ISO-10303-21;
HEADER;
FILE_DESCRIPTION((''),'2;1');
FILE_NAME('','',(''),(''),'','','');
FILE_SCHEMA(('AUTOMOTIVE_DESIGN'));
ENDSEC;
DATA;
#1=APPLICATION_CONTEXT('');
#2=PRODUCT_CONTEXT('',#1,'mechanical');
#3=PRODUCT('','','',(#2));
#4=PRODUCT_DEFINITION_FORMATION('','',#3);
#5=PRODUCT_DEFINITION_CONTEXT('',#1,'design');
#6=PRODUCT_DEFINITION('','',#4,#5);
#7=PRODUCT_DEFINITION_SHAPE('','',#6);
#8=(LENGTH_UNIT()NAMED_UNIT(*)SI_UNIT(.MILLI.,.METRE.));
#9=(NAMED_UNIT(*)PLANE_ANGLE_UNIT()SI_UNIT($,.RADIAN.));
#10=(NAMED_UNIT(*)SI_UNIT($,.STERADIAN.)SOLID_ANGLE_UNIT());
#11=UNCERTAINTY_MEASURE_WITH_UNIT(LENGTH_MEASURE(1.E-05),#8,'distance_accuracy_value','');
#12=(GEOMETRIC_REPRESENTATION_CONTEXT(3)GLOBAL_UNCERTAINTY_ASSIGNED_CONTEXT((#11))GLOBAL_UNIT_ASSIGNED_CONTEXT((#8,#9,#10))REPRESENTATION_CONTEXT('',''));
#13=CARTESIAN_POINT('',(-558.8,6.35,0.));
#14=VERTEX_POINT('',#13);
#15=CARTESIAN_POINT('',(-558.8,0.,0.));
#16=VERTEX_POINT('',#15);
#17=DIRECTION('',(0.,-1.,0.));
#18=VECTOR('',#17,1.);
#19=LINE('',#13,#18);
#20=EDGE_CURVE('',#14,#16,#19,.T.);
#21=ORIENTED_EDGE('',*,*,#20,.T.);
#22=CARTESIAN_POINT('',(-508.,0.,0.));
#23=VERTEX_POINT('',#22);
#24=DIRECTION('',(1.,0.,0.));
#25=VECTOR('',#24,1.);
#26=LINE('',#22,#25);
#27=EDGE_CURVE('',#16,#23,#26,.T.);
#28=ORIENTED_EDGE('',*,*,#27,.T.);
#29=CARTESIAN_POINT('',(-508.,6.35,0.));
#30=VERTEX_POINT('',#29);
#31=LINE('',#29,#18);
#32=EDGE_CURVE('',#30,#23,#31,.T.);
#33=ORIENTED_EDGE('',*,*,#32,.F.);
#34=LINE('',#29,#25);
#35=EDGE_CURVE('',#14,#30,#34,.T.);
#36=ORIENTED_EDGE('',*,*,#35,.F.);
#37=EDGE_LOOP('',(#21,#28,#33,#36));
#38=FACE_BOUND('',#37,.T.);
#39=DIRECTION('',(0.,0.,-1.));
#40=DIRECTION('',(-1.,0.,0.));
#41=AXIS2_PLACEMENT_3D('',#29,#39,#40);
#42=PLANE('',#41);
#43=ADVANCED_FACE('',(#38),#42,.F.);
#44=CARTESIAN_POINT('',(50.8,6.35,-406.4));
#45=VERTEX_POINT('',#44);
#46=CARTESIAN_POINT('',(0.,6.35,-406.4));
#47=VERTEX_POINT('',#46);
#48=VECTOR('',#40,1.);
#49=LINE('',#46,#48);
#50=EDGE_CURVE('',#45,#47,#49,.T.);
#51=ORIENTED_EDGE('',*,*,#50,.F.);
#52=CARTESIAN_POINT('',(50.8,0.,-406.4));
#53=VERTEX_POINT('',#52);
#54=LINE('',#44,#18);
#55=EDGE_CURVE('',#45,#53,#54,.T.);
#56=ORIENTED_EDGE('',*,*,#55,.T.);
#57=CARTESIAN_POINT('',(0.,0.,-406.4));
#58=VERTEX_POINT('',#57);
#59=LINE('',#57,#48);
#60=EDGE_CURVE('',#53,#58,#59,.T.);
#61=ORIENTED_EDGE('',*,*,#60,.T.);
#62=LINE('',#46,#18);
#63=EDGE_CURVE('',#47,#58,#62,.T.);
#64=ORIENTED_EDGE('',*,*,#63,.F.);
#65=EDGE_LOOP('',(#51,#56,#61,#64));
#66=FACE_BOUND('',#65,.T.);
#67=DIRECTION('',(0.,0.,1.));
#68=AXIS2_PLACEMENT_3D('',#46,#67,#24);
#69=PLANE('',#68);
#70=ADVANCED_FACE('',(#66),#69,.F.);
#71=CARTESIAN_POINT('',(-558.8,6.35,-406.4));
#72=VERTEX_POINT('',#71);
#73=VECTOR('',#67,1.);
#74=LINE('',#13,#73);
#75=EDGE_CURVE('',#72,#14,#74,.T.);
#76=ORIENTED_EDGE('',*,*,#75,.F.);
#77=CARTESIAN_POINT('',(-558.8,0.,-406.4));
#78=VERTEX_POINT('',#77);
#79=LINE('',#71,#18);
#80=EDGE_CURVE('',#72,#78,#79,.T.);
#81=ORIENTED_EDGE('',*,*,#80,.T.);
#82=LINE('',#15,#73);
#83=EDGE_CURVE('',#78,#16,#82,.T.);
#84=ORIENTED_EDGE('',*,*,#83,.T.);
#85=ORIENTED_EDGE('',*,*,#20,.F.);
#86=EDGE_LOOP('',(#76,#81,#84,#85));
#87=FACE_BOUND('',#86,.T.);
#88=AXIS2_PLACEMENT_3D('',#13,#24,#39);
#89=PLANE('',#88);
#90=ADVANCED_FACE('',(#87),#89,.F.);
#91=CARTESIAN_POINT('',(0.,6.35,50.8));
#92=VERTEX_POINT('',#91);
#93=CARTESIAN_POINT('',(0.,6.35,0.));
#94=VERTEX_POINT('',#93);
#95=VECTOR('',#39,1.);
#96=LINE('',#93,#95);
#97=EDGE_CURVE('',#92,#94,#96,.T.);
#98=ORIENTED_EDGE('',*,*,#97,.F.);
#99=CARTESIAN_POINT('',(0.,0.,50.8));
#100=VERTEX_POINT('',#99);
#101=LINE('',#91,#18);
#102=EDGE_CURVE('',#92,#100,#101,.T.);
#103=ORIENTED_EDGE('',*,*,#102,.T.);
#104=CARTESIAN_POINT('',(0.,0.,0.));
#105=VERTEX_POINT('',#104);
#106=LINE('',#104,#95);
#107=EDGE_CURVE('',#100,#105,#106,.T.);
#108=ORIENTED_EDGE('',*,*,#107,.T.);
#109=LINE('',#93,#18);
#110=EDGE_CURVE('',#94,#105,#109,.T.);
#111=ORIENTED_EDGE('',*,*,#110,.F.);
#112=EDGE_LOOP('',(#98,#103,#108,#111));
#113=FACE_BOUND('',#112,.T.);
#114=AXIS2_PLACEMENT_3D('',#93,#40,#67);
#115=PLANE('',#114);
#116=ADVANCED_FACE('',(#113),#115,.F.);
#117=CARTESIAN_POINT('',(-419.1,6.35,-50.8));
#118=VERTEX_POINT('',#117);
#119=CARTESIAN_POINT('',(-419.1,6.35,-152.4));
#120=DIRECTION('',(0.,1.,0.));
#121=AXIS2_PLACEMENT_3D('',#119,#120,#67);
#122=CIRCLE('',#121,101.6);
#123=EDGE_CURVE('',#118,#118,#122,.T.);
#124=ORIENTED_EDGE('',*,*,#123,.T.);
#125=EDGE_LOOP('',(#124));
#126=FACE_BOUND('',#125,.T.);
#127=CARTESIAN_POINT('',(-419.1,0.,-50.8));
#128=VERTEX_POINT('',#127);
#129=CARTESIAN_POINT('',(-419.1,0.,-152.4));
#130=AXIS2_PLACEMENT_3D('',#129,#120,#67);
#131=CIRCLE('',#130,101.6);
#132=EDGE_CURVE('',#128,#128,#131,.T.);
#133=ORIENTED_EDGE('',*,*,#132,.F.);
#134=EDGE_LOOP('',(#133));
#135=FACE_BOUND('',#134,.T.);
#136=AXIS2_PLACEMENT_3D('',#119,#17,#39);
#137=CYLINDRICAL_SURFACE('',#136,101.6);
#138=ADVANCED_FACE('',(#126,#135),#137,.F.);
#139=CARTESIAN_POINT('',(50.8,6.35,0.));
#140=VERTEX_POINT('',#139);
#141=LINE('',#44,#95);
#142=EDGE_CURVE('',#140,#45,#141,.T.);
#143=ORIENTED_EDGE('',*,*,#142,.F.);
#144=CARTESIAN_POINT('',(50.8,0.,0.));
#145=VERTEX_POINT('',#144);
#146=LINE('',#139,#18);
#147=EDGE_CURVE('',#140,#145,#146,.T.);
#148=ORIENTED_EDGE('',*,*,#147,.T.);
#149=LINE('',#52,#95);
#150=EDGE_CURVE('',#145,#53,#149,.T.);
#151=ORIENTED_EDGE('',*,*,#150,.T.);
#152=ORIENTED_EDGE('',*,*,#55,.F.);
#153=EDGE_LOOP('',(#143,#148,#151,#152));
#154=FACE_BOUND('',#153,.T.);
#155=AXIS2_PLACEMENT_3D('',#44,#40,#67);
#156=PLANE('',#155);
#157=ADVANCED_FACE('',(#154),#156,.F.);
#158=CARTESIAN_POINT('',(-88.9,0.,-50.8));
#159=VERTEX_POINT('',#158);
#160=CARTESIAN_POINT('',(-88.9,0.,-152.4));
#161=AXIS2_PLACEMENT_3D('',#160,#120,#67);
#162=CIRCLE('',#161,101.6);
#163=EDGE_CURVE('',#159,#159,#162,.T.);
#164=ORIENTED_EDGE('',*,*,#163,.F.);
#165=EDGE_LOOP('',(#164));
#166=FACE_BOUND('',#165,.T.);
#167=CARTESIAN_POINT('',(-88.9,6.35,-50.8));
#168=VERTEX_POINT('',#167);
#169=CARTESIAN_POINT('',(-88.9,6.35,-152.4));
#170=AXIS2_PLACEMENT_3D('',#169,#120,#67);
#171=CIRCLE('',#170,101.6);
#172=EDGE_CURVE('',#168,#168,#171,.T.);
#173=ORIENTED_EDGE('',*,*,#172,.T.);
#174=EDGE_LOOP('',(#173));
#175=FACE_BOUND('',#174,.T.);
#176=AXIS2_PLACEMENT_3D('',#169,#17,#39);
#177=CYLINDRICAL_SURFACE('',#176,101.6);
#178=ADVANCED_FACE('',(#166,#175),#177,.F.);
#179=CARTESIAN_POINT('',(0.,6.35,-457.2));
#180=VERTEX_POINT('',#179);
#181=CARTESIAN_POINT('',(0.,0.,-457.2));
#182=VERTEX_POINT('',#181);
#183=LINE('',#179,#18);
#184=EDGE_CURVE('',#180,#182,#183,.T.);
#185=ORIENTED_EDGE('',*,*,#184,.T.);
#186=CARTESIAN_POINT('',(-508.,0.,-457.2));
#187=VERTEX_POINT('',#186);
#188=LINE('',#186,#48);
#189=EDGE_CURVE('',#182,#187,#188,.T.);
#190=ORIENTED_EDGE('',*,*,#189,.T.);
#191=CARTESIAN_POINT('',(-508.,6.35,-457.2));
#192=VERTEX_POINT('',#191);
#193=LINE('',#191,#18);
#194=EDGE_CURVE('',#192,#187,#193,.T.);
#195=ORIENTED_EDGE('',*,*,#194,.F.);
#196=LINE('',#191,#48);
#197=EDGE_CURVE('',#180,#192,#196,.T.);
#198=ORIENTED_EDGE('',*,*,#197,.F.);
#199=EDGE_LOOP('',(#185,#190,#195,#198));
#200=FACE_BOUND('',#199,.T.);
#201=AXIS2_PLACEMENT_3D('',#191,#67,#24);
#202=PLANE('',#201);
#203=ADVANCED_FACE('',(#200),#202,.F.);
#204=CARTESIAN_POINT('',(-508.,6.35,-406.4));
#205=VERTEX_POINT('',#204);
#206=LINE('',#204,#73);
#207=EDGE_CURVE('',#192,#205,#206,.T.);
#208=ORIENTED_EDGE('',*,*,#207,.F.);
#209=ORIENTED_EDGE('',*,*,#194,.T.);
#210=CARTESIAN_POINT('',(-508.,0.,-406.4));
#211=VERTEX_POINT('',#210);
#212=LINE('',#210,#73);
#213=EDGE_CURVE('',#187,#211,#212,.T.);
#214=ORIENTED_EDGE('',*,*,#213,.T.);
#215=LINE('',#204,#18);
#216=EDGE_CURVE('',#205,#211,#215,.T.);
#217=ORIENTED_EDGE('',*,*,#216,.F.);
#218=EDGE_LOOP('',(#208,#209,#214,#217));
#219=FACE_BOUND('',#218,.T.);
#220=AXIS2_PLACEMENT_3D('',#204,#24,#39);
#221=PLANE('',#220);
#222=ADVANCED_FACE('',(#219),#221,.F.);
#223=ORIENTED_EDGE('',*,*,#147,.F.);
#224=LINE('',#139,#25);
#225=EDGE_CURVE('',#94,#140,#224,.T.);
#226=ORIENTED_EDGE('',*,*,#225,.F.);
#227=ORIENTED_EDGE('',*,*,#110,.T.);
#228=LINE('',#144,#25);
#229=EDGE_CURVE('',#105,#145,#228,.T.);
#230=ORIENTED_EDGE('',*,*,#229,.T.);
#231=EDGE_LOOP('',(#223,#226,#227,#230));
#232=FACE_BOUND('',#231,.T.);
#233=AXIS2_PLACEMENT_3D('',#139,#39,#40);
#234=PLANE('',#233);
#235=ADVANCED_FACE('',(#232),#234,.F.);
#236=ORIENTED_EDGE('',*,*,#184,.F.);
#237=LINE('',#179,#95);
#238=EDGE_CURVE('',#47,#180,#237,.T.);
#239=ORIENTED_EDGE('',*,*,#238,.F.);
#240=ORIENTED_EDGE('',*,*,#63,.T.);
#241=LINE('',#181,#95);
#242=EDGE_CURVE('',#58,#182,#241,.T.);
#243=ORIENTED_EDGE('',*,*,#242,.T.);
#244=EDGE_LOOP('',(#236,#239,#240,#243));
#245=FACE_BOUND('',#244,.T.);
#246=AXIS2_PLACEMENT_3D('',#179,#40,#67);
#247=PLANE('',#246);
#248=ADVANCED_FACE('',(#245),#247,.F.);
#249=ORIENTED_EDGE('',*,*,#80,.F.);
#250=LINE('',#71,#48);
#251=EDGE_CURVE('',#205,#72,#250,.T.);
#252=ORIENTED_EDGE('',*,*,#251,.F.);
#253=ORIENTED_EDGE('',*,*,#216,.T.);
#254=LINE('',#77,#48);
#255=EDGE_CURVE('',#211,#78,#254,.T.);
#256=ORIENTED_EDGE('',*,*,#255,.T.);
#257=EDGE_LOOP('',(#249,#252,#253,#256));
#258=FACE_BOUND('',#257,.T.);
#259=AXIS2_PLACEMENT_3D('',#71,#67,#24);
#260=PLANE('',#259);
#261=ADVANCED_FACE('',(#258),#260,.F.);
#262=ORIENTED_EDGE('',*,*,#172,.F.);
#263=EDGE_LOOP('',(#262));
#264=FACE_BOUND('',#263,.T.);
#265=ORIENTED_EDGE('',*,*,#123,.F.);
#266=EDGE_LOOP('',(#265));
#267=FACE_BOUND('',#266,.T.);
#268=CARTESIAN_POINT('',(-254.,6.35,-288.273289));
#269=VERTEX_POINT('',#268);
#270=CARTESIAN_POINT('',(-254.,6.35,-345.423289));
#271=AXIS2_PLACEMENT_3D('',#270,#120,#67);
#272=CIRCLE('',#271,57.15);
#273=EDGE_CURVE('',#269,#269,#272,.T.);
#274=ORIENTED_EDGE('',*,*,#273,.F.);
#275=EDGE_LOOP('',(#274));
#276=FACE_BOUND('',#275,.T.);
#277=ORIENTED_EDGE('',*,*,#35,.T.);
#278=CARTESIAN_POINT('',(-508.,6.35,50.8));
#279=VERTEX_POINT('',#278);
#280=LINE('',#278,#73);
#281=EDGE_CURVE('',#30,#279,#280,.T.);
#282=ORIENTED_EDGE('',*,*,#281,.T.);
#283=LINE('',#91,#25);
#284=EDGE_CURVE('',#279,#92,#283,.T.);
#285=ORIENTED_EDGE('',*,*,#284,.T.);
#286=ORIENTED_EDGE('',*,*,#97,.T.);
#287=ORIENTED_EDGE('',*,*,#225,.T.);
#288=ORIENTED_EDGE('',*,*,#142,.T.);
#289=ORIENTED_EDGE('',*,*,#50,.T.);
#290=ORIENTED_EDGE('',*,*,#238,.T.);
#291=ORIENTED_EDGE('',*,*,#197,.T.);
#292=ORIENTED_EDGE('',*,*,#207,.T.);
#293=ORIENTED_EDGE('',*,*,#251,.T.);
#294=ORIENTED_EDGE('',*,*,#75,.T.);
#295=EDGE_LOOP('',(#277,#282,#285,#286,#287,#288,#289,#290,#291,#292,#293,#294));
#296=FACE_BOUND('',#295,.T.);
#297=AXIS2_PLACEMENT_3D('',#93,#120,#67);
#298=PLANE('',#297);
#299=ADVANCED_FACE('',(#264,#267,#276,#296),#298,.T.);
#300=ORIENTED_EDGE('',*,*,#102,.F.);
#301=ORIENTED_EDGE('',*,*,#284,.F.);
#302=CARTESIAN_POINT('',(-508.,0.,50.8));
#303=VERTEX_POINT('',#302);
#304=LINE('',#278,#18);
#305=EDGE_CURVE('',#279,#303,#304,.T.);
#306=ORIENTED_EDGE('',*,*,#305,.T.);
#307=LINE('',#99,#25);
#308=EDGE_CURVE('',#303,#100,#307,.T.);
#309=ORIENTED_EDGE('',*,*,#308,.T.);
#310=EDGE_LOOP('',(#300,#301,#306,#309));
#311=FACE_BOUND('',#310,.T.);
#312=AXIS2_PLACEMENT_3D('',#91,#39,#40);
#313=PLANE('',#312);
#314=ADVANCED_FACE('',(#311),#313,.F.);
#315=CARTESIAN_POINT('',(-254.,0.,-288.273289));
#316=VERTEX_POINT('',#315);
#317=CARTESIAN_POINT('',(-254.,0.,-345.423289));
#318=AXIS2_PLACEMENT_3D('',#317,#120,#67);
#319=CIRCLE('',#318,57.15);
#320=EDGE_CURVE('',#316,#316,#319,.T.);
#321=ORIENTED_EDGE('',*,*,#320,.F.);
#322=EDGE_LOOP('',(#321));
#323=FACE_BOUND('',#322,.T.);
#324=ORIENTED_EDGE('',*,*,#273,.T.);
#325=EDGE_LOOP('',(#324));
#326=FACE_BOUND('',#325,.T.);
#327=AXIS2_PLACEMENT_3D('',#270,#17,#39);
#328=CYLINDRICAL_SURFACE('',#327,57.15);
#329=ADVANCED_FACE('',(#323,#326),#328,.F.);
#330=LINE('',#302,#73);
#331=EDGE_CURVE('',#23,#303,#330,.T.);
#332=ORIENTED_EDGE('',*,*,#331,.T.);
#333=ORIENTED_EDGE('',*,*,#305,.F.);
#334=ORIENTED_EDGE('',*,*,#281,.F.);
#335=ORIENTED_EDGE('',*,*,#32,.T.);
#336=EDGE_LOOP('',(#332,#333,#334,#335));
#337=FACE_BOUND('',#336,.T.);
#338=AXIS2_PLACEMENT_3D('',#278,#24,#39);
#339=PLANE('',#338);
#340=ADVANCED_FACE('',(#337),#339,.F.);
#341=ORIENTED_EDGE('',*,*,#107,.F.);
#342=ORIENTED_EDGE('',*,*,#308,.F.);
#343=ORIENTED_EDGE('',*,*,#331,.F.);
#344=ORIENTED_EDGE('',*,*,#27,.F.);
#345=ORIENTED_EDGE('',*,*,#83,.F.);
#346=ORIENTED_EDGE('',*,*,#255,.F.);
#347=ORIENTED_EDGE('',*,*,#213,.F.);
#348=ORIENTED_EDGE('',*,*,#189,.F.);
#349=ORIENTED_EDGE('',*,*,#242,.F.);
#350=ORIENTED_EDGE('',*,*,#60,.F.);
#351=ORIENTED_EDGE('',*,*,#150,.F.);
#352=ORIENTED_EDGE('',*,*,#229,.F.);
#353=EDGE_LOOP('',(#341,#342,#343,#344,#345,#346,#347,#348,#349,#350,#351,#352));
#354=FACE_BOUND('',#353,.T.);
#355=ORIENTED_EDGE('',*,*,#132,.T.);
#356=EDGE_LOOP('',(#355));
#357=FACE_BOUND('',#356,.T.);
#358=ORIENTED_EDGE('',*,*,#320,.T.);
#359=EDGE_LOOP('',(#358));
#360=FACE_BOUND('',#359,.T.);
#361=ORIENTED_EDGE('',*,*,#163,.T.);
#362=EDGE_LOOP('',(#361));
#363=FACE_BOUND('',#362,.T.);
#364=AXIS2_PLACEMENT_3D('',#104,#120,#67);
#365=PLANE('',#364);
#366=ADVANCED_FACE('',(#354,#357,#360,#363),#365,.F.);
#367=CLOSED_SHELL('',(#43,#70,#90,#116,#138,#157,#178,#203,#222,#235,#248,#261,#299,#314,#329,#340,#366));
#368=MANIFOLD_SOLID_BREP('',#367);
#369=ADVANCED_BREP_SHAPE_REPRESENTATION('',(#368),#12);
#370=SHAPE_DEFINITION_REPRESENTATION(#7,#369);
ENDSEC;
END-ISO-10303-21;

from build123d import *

# Parameters (mm, degrees)
SKETCH1_R           = 101.6
SKETCH1_R_2         = 57.15
BOSS_EXTRUDE1_DEPTH = 6.35


with BuildPart() as part:
    # Sketch1 → Boss-Extrude1 (new body)
    with BuildSketch(Plane(origin=(0, 0, 0), x_dir=(1, 0, 0), z_dir=(0, 1, 0))):
        Polygon((0, 0), (0, -50.8), (-508, -50.8), (-508, 0), (-558.8, 0), (-558.8, 406.4), (-508, 406.4), (-508, 457.2), (0, 457.2), (0, 406.4), (50.8, 406.4), (50.8, 0), align=None)
        with Locations((-419.1, 152.4)):
            Circle(SKETCH1_R, mode=Mode.SUBTRACT)
        with Locations((-88.9, 152.4)):
            Circle(SKETCH1_R, mode=Mode.SUBTRACT)
        with Locations((-254, 345.42328875)):
            Circle(SKETCH1_R_2, mode=Mode.SUBTRACT)
    extrude(amount=BOSS_EXTRUDE1_DEPTH)


solid = part.part
